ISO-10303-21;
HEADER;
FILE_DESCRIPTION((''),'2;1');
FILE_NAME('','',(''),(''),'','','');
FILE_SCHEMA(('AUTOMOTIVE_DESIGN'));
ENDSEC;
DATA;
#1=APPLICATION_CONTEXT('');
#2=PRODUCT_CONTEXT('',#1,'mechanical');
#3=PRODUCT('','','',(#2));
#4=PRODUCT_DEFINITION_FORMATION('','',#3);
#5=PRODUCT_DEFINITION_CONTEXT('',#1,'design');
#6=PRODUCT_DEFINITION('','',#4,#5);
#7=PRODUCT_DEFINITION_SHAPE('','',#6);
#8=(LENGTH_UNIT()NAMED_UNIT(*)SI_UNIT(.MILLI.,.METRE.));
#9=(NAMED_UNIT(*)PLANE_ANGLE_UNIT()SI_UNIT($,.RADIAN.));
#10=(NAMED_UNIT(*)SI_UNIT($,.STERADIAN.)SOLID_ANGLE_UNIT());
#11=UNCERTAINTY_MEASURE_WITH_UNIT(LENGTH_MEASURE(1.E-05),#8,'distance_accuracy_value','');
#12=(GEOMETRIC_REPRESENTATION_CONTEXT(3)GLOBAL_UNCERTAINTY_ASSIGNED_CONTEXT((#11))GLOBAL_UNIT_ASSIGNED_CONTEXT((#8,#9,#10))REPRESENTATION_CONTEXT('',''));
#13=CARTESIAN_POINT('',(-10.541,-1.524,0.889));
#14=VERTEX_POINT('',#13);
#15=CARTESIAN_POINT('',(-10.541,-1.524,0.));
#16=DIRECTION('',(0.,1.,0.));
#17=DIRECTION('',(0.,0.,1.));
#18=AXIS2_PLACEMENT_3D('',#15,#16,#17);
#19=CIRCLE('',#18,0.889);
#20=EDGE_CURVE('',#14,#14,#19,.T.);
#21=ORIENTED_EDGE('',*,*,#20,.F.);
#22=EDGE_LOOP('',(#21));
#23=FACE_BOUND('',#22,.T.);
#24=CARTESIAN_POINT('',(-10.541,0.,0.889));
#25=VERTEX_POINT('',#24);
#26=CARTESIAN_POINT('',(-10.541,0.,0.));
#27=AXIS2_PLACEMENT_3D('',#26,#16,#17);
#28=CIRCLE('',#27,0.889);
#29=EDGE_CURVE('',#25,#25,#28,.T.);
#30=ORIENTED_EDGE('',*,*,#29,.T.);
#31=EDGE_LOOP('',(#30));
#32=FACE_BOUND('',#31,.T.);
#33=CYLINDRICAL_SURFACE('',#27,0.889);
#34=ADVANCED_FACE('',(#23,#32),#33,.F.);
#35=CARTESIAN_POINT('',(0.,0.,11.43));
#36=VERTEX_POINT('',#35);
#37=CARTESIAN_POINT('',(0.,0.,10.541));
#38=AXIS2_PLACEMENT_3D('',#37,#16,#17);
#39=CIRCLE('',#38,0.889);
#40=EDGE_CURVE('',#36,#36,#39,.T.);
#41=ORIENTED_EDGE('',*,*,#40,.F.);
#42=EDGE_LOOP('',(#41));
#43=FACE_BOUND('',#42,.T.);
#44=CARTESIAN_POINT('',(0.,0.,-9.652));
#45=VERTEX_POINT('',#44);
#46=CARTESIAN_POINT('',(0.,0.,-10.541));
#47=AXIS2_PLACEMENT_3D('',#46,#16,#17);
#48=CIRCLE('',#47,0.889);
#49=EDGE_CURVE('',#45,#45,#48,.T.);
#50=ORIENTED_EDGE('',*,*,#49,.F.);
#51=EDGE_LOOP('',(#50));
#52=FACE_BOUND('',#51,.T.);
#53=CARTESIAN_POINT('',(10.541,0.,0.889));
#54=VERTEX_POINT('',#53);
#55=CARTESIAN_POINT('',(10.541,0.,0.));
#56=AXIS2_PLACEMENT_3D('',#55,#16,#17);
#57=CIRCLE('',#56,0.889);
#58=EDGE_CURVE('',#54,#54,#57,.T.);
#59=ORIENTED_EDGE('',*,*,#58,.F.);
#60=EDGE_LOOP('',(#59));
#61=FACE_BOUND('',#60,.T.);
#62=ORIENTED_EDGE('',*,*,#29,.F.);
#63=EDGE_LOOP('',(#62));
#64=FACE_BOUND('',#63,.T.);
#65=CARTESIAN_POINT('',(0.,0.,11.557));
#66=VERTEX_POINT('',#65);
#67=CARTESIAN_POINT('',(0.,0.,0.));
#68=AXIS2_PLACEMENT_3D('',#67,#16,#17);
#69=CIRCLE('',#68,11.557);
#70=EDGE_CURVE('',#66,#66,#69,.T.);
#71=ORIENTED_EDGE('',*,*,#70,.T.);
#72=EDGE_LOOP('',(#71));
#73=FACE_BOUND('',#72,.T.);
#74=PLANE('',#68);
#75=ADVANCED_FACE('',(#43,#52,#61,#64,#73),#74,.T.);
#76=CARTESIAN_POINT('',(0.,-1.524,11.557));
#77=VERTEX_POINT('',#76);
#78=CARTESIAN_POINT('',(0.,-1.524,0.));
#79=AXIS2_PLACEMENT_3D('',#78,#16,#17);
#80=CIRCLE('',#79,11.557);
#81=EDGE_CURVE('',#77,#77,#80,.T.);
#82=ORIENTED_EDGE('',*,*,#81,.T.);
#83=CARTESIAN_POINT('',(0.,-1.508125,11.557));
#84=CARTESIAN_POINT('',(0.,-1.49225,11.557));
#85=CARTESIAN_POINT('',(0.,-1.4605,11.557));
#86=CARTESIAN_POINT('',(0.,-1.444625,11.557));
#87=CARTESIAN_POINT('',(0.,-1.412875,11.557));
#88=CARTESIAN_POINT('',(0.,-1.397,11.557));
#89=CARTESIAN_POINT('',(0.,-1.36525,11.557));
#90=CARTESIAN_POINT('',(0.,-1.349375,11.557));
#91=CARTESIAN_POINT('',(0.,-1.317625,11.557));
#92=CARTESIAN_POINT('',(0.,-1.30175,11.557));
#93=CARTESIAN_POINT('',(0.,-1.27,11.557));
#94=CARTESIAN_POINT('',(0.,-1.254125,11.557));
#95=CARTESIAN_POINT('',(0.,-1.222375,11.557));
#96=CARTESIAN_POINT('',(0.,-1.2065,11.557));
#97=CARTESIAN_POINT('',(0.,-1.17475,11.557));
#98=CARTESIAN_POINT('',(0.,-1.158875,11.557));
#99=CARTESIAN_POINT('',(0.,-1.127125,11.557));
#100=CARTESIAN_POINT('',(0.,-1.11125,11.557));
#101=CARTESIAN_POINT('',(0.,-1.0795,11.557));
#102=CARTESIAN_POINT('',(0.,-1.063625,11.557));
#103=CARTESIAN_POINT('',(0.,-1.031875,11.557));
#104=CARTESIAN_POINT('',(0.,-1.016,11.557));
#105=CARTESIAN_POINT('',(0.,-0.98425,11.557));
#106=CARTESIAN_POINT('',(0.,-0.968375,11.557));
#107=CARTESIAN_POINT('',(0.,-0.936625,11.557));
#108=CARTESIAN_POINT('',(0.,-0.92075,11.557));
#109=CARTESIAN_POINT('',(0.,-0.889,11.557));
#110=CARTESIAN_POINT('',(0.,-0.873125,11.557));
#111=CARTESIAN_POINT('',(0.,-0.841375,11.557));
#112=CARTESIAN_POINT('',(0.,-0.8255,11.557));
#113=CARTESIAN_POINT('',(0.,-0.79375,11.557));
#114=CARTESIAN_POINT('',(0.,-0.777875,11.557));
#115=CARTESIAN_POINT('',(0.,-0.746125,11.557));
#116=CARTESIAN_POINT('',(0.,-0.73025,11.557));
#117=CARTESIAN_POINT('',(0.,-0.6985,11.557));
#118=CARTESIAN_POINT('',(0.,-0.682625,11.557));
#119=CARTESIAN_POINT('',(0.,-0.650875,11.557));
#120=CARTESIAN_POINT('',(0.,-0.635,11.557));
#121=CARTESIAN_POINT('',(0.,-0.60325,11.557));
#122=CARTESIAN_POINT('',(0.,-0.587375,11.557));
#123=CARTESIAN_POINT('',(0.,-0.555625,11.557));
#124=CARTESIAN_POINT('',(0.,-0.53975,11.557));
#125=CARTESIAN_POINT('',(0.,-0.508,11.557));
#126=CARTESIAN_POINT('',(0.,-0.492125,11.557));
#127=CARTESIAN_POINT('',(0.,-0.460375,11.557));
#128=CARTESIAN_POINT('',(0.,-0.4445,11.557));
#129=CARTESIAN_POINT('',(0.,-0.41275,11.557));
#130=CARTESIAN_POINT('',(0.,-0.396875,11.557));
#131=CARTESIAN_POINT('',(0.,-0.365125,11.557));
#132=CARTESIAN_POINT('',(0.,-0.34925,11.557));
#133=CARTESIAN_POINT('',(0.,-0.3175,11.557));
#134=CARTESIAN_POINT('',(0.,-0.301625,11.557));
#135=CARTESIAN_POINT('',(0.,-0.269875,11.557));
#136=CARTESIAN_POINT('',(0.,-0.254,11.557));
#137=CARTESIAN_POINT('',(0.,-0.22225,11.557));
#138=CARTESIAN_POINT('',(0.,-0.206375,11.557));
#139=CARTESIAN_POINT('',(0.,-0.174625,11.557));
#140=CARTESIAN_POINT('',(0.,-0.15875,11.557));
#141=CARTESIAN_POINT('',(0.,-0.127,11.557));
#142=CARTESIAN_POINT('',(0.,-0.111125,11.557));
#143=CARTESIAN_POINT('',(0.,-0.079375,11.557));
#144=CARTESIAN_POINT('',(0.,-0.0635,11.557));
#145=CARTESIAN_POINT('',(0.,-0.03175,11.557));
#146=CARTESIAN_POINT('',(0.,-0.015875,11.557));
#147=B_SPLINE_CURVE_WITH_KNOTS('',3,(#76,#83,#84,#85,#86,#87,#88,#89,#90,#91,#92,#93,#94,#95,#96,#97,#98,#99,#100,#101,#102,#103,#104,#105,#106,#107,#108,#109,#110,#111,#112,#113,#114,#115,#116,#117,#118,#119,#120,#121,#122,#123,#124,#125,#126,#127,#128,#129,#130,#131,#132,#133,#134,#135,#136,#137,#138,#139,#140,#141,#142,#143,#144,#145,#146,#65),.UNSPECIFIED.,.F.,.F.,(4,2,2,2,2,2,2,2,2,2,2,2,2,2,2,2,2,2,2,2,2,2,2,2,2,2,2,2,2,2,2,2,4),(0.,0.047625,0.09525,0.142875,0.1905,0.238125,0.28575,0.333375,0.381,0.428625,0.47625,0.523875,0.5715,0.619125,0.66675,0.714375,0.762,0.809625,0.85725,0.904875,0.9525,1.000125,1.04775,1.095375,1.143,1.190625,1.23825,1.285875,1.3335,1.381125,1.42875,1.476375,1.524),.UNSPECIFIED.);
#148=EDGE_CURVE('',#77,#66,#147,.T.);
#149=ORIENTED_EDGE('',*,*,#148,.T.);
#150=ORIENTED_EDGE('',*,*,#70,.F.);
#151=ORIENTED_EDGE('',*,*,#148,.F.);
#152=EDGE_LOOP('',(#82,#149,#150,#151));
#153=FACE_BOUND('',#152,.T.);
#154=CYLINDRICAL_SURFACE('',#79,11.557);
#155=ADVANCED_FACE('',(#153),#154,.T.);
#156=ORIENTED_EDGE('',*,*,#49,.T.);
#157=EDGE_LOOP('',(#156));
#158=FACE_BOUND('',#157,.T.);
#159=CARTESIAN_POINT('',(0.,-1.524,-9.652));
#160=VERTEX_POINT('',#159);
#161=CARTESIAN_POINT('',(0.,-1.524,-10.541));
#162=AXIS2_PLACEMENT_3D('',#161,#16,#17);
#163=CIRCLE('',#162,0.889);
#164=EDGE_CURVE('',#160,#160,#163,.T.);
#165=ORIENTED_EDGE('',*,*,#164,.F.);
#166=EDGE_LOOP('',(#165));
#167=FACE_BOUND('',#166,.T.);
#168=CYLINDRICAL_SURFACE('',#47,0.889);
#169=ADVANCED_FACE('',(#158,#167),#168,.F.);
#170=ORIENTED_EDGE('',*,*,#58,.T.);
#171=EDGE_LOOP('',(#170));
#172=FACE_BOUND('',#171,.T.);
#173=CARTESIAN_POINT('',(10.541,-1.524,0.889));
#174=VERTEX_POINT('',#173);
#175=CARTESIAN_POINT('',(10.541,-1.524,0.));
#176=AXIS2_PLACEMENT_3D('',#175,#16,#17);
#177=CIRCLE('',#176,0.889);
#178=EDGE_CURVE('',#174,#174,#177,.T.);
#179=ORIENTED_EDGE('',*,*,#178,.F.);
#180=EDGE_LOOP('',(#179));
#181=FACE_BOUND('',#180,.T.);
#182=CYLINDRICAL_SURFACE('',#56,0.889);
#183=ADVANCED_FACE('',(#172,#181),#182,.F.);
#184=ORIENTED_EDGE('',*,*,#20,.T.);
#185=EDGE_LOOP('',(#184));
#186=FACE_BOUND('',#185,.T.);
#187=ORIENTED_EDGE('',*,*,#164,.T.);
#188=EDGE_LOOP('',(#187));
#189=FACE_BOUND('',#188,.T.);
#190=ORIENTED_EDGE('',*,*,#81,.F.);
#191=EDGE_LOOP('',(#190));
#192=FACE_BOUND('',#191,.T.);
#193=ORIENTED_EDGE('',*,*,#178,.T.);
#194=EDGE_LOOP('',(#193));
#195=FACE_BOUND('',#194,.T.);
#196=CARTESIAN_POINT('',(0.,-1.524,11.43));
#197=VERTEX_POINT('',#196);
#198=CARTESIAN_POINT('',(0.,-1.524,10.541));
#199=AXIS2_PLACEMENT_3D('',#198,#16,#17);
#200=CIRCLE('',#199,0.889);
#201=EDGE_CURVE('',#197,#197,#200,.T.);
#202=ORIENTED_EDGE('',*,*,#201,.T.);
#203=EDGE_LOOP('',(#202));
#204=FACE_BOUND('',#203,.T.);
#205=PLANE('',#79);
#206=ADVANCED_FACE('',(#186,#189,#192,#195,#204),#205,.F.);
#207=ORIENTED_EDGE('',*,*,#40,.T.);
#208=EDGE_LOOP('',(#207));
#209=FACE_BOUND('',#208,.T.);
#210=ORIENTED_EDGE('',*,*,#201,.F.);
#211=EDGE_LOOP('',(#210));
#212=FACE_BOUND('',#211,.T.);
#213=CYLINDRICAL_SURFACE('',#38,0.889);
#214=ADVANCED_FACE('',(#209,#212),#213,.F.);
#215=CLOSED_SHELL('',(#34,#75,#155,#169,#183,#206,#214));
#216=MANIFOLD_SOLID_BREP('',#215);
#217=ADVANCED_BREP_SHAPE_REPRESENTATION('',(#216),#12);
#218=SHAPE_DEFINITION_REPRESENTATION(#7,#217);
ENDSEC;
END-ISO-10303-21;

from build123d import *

# Parameters (mm, degrees)
OUTTER_R          = 11.557
BODY_DEPTH        = 1.524
SCREW_HOLES_COUNT = 4


with BuildPart() as part:
    # outter → Body (new body)
    with BuildSketch(Plane(origin=(0, 0, 0), x_dir=(1, 0, 0), z_dir=(0, 1, 0))):
        Circle(OUTTER_R)
    extrude(amount=-BODY_DEPTH)

    # Sketch12 → #0 Clearance Hole (revolve, cut)
    with BuildSketch(Plane(origin=(0, 0, -10.541), x_dir=(0, 0, 1), z_dir=(1, 0, 0))):
        Polygon((0, 0), (0, 2.05816509), (0.889, 1.524), (0.889, 0), align=None)
    f_0_clearance_hole = revolve(axis=Axis((0, 6.35, -10.541), (0, -1, 0)), mode=Mode.SUBTRACT)

    # Screw Holes: #0 Clearance Hole ×4 about axis
    screw_holes_axis = Axis((0, 0.0762, 0), (0, -1, 0))
    for i in range(1, SCREW_HOLES_COUNT):
        add(f_0_clearance_hole.rotate(screw_holes_axis, i * 360 / SCREW_HOLES_COUNT), mode=Mode.SUBTRACT)


solid = part.part
